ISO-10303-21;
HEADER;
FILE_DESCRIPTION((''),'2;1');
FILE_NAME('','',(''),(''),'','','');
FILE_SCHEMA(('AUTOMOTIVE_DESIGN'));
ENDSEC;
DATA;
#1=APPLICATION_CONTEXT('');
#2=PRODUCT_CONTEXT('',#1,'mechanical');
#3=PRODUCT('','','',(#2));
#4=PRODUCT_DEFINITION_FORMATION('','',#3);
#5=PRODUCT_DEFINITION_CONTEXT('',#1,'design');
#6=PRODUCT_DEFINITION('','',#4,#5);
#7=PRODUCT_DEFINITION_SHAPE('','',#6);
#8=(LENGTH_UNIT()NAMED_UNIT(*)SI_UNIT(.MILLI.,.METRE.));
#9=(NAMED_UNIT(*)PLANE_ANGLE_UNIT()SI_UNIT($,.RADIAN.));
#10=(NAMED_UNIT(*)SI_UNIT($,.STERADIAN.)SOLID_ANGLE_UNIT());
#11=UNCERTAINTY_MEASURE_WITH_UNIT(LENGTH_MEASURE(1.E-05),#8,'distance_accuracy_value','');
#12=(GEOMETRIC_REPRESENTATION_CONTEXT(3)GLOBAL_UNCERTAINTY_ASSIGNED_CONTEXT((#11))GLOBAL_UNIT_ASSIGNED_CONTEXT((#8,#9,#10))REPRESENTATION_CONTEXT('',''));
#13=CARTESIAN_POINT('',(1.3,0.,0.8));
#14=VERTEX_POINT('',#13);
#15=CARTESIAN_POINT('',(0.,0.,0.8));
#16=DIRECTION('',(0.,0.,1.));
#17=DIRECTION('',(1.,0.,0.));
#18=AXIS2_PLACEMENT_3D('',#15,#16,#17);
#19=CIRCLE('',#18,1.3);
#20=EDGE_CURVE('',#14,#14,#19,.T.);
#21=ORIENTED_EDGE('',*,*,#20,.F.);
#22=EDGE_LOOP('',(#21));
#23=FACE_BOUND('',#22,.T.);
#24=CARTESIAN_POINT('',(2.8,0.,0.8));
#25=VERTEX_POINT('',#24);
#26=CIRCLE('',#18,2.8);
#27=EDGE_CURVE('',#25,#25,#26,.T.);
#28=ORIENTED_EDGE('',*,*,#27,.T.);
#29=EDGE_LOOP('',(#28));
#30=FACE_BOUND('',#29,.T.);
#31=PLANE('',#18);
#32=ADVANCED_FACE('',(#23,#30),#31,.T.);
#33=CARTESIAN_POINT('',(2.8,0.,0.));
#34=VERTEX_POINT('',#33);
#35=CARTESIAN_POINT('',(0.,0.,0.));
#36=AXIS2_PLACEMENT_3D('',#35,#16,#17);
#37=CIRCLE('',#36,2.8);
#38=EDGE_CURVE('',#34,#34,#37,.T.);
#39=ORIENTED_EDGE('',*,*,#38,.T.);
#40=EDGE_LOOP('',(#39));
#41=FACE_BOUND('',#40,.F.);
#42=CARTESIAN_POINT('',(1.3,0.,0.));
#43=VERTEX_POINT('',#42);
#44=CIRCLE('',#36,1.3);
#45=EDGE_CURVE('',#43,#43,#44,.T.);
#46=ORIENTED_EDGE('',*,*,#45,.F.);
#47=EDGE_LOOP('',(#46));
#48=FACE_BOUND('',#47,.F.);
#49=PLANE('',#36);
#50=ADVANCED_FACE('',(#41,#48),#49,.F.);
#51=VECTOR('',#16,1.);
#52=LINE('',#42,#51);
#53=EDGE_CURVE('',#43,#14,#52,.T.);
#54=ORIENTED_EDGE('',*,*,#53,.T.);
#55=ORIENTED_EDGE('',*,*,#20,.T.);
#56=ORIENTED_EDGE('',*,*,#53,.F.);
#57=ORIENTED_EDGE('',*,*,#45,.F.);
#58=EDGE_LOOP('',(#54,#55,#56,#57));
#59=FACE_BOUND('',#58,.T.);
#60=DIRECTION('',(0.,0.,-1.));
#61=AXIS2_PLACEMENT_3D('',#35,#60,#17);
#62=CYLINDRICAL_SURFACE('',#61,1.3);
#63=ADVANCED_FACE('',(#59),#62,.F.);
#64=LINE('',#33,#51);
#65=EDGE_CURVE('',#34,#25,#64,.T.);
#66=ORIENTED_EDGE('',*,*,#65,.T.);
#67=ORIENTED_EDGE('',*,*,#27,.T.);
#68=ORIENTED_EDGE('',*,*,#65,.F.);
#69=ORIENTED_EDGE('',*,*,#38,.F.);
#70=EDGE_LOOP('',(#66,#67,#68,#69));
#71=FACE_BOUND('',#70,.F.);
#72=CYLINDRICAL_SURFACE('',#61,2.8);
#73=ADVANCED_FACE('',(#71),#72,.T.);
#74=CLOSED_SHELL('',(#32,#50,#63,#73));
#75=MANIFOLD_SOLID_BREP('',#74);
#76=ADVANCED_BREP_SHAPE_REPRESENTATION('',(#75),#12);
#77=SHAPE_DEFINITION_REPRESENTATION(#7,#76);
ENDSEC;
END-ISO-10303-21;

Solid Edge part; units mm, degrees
sketch "Sketch1" plane through (0, 0, 0) normal (0, 0, 1) x (1, 0, 0)
  circle A0 centre (0, 0) radius 1.3
  circle A1 centre (0, 0) radius 2.8
extrude "Protrusion1" add sketch "Sketch1" along normal blind 0.8
